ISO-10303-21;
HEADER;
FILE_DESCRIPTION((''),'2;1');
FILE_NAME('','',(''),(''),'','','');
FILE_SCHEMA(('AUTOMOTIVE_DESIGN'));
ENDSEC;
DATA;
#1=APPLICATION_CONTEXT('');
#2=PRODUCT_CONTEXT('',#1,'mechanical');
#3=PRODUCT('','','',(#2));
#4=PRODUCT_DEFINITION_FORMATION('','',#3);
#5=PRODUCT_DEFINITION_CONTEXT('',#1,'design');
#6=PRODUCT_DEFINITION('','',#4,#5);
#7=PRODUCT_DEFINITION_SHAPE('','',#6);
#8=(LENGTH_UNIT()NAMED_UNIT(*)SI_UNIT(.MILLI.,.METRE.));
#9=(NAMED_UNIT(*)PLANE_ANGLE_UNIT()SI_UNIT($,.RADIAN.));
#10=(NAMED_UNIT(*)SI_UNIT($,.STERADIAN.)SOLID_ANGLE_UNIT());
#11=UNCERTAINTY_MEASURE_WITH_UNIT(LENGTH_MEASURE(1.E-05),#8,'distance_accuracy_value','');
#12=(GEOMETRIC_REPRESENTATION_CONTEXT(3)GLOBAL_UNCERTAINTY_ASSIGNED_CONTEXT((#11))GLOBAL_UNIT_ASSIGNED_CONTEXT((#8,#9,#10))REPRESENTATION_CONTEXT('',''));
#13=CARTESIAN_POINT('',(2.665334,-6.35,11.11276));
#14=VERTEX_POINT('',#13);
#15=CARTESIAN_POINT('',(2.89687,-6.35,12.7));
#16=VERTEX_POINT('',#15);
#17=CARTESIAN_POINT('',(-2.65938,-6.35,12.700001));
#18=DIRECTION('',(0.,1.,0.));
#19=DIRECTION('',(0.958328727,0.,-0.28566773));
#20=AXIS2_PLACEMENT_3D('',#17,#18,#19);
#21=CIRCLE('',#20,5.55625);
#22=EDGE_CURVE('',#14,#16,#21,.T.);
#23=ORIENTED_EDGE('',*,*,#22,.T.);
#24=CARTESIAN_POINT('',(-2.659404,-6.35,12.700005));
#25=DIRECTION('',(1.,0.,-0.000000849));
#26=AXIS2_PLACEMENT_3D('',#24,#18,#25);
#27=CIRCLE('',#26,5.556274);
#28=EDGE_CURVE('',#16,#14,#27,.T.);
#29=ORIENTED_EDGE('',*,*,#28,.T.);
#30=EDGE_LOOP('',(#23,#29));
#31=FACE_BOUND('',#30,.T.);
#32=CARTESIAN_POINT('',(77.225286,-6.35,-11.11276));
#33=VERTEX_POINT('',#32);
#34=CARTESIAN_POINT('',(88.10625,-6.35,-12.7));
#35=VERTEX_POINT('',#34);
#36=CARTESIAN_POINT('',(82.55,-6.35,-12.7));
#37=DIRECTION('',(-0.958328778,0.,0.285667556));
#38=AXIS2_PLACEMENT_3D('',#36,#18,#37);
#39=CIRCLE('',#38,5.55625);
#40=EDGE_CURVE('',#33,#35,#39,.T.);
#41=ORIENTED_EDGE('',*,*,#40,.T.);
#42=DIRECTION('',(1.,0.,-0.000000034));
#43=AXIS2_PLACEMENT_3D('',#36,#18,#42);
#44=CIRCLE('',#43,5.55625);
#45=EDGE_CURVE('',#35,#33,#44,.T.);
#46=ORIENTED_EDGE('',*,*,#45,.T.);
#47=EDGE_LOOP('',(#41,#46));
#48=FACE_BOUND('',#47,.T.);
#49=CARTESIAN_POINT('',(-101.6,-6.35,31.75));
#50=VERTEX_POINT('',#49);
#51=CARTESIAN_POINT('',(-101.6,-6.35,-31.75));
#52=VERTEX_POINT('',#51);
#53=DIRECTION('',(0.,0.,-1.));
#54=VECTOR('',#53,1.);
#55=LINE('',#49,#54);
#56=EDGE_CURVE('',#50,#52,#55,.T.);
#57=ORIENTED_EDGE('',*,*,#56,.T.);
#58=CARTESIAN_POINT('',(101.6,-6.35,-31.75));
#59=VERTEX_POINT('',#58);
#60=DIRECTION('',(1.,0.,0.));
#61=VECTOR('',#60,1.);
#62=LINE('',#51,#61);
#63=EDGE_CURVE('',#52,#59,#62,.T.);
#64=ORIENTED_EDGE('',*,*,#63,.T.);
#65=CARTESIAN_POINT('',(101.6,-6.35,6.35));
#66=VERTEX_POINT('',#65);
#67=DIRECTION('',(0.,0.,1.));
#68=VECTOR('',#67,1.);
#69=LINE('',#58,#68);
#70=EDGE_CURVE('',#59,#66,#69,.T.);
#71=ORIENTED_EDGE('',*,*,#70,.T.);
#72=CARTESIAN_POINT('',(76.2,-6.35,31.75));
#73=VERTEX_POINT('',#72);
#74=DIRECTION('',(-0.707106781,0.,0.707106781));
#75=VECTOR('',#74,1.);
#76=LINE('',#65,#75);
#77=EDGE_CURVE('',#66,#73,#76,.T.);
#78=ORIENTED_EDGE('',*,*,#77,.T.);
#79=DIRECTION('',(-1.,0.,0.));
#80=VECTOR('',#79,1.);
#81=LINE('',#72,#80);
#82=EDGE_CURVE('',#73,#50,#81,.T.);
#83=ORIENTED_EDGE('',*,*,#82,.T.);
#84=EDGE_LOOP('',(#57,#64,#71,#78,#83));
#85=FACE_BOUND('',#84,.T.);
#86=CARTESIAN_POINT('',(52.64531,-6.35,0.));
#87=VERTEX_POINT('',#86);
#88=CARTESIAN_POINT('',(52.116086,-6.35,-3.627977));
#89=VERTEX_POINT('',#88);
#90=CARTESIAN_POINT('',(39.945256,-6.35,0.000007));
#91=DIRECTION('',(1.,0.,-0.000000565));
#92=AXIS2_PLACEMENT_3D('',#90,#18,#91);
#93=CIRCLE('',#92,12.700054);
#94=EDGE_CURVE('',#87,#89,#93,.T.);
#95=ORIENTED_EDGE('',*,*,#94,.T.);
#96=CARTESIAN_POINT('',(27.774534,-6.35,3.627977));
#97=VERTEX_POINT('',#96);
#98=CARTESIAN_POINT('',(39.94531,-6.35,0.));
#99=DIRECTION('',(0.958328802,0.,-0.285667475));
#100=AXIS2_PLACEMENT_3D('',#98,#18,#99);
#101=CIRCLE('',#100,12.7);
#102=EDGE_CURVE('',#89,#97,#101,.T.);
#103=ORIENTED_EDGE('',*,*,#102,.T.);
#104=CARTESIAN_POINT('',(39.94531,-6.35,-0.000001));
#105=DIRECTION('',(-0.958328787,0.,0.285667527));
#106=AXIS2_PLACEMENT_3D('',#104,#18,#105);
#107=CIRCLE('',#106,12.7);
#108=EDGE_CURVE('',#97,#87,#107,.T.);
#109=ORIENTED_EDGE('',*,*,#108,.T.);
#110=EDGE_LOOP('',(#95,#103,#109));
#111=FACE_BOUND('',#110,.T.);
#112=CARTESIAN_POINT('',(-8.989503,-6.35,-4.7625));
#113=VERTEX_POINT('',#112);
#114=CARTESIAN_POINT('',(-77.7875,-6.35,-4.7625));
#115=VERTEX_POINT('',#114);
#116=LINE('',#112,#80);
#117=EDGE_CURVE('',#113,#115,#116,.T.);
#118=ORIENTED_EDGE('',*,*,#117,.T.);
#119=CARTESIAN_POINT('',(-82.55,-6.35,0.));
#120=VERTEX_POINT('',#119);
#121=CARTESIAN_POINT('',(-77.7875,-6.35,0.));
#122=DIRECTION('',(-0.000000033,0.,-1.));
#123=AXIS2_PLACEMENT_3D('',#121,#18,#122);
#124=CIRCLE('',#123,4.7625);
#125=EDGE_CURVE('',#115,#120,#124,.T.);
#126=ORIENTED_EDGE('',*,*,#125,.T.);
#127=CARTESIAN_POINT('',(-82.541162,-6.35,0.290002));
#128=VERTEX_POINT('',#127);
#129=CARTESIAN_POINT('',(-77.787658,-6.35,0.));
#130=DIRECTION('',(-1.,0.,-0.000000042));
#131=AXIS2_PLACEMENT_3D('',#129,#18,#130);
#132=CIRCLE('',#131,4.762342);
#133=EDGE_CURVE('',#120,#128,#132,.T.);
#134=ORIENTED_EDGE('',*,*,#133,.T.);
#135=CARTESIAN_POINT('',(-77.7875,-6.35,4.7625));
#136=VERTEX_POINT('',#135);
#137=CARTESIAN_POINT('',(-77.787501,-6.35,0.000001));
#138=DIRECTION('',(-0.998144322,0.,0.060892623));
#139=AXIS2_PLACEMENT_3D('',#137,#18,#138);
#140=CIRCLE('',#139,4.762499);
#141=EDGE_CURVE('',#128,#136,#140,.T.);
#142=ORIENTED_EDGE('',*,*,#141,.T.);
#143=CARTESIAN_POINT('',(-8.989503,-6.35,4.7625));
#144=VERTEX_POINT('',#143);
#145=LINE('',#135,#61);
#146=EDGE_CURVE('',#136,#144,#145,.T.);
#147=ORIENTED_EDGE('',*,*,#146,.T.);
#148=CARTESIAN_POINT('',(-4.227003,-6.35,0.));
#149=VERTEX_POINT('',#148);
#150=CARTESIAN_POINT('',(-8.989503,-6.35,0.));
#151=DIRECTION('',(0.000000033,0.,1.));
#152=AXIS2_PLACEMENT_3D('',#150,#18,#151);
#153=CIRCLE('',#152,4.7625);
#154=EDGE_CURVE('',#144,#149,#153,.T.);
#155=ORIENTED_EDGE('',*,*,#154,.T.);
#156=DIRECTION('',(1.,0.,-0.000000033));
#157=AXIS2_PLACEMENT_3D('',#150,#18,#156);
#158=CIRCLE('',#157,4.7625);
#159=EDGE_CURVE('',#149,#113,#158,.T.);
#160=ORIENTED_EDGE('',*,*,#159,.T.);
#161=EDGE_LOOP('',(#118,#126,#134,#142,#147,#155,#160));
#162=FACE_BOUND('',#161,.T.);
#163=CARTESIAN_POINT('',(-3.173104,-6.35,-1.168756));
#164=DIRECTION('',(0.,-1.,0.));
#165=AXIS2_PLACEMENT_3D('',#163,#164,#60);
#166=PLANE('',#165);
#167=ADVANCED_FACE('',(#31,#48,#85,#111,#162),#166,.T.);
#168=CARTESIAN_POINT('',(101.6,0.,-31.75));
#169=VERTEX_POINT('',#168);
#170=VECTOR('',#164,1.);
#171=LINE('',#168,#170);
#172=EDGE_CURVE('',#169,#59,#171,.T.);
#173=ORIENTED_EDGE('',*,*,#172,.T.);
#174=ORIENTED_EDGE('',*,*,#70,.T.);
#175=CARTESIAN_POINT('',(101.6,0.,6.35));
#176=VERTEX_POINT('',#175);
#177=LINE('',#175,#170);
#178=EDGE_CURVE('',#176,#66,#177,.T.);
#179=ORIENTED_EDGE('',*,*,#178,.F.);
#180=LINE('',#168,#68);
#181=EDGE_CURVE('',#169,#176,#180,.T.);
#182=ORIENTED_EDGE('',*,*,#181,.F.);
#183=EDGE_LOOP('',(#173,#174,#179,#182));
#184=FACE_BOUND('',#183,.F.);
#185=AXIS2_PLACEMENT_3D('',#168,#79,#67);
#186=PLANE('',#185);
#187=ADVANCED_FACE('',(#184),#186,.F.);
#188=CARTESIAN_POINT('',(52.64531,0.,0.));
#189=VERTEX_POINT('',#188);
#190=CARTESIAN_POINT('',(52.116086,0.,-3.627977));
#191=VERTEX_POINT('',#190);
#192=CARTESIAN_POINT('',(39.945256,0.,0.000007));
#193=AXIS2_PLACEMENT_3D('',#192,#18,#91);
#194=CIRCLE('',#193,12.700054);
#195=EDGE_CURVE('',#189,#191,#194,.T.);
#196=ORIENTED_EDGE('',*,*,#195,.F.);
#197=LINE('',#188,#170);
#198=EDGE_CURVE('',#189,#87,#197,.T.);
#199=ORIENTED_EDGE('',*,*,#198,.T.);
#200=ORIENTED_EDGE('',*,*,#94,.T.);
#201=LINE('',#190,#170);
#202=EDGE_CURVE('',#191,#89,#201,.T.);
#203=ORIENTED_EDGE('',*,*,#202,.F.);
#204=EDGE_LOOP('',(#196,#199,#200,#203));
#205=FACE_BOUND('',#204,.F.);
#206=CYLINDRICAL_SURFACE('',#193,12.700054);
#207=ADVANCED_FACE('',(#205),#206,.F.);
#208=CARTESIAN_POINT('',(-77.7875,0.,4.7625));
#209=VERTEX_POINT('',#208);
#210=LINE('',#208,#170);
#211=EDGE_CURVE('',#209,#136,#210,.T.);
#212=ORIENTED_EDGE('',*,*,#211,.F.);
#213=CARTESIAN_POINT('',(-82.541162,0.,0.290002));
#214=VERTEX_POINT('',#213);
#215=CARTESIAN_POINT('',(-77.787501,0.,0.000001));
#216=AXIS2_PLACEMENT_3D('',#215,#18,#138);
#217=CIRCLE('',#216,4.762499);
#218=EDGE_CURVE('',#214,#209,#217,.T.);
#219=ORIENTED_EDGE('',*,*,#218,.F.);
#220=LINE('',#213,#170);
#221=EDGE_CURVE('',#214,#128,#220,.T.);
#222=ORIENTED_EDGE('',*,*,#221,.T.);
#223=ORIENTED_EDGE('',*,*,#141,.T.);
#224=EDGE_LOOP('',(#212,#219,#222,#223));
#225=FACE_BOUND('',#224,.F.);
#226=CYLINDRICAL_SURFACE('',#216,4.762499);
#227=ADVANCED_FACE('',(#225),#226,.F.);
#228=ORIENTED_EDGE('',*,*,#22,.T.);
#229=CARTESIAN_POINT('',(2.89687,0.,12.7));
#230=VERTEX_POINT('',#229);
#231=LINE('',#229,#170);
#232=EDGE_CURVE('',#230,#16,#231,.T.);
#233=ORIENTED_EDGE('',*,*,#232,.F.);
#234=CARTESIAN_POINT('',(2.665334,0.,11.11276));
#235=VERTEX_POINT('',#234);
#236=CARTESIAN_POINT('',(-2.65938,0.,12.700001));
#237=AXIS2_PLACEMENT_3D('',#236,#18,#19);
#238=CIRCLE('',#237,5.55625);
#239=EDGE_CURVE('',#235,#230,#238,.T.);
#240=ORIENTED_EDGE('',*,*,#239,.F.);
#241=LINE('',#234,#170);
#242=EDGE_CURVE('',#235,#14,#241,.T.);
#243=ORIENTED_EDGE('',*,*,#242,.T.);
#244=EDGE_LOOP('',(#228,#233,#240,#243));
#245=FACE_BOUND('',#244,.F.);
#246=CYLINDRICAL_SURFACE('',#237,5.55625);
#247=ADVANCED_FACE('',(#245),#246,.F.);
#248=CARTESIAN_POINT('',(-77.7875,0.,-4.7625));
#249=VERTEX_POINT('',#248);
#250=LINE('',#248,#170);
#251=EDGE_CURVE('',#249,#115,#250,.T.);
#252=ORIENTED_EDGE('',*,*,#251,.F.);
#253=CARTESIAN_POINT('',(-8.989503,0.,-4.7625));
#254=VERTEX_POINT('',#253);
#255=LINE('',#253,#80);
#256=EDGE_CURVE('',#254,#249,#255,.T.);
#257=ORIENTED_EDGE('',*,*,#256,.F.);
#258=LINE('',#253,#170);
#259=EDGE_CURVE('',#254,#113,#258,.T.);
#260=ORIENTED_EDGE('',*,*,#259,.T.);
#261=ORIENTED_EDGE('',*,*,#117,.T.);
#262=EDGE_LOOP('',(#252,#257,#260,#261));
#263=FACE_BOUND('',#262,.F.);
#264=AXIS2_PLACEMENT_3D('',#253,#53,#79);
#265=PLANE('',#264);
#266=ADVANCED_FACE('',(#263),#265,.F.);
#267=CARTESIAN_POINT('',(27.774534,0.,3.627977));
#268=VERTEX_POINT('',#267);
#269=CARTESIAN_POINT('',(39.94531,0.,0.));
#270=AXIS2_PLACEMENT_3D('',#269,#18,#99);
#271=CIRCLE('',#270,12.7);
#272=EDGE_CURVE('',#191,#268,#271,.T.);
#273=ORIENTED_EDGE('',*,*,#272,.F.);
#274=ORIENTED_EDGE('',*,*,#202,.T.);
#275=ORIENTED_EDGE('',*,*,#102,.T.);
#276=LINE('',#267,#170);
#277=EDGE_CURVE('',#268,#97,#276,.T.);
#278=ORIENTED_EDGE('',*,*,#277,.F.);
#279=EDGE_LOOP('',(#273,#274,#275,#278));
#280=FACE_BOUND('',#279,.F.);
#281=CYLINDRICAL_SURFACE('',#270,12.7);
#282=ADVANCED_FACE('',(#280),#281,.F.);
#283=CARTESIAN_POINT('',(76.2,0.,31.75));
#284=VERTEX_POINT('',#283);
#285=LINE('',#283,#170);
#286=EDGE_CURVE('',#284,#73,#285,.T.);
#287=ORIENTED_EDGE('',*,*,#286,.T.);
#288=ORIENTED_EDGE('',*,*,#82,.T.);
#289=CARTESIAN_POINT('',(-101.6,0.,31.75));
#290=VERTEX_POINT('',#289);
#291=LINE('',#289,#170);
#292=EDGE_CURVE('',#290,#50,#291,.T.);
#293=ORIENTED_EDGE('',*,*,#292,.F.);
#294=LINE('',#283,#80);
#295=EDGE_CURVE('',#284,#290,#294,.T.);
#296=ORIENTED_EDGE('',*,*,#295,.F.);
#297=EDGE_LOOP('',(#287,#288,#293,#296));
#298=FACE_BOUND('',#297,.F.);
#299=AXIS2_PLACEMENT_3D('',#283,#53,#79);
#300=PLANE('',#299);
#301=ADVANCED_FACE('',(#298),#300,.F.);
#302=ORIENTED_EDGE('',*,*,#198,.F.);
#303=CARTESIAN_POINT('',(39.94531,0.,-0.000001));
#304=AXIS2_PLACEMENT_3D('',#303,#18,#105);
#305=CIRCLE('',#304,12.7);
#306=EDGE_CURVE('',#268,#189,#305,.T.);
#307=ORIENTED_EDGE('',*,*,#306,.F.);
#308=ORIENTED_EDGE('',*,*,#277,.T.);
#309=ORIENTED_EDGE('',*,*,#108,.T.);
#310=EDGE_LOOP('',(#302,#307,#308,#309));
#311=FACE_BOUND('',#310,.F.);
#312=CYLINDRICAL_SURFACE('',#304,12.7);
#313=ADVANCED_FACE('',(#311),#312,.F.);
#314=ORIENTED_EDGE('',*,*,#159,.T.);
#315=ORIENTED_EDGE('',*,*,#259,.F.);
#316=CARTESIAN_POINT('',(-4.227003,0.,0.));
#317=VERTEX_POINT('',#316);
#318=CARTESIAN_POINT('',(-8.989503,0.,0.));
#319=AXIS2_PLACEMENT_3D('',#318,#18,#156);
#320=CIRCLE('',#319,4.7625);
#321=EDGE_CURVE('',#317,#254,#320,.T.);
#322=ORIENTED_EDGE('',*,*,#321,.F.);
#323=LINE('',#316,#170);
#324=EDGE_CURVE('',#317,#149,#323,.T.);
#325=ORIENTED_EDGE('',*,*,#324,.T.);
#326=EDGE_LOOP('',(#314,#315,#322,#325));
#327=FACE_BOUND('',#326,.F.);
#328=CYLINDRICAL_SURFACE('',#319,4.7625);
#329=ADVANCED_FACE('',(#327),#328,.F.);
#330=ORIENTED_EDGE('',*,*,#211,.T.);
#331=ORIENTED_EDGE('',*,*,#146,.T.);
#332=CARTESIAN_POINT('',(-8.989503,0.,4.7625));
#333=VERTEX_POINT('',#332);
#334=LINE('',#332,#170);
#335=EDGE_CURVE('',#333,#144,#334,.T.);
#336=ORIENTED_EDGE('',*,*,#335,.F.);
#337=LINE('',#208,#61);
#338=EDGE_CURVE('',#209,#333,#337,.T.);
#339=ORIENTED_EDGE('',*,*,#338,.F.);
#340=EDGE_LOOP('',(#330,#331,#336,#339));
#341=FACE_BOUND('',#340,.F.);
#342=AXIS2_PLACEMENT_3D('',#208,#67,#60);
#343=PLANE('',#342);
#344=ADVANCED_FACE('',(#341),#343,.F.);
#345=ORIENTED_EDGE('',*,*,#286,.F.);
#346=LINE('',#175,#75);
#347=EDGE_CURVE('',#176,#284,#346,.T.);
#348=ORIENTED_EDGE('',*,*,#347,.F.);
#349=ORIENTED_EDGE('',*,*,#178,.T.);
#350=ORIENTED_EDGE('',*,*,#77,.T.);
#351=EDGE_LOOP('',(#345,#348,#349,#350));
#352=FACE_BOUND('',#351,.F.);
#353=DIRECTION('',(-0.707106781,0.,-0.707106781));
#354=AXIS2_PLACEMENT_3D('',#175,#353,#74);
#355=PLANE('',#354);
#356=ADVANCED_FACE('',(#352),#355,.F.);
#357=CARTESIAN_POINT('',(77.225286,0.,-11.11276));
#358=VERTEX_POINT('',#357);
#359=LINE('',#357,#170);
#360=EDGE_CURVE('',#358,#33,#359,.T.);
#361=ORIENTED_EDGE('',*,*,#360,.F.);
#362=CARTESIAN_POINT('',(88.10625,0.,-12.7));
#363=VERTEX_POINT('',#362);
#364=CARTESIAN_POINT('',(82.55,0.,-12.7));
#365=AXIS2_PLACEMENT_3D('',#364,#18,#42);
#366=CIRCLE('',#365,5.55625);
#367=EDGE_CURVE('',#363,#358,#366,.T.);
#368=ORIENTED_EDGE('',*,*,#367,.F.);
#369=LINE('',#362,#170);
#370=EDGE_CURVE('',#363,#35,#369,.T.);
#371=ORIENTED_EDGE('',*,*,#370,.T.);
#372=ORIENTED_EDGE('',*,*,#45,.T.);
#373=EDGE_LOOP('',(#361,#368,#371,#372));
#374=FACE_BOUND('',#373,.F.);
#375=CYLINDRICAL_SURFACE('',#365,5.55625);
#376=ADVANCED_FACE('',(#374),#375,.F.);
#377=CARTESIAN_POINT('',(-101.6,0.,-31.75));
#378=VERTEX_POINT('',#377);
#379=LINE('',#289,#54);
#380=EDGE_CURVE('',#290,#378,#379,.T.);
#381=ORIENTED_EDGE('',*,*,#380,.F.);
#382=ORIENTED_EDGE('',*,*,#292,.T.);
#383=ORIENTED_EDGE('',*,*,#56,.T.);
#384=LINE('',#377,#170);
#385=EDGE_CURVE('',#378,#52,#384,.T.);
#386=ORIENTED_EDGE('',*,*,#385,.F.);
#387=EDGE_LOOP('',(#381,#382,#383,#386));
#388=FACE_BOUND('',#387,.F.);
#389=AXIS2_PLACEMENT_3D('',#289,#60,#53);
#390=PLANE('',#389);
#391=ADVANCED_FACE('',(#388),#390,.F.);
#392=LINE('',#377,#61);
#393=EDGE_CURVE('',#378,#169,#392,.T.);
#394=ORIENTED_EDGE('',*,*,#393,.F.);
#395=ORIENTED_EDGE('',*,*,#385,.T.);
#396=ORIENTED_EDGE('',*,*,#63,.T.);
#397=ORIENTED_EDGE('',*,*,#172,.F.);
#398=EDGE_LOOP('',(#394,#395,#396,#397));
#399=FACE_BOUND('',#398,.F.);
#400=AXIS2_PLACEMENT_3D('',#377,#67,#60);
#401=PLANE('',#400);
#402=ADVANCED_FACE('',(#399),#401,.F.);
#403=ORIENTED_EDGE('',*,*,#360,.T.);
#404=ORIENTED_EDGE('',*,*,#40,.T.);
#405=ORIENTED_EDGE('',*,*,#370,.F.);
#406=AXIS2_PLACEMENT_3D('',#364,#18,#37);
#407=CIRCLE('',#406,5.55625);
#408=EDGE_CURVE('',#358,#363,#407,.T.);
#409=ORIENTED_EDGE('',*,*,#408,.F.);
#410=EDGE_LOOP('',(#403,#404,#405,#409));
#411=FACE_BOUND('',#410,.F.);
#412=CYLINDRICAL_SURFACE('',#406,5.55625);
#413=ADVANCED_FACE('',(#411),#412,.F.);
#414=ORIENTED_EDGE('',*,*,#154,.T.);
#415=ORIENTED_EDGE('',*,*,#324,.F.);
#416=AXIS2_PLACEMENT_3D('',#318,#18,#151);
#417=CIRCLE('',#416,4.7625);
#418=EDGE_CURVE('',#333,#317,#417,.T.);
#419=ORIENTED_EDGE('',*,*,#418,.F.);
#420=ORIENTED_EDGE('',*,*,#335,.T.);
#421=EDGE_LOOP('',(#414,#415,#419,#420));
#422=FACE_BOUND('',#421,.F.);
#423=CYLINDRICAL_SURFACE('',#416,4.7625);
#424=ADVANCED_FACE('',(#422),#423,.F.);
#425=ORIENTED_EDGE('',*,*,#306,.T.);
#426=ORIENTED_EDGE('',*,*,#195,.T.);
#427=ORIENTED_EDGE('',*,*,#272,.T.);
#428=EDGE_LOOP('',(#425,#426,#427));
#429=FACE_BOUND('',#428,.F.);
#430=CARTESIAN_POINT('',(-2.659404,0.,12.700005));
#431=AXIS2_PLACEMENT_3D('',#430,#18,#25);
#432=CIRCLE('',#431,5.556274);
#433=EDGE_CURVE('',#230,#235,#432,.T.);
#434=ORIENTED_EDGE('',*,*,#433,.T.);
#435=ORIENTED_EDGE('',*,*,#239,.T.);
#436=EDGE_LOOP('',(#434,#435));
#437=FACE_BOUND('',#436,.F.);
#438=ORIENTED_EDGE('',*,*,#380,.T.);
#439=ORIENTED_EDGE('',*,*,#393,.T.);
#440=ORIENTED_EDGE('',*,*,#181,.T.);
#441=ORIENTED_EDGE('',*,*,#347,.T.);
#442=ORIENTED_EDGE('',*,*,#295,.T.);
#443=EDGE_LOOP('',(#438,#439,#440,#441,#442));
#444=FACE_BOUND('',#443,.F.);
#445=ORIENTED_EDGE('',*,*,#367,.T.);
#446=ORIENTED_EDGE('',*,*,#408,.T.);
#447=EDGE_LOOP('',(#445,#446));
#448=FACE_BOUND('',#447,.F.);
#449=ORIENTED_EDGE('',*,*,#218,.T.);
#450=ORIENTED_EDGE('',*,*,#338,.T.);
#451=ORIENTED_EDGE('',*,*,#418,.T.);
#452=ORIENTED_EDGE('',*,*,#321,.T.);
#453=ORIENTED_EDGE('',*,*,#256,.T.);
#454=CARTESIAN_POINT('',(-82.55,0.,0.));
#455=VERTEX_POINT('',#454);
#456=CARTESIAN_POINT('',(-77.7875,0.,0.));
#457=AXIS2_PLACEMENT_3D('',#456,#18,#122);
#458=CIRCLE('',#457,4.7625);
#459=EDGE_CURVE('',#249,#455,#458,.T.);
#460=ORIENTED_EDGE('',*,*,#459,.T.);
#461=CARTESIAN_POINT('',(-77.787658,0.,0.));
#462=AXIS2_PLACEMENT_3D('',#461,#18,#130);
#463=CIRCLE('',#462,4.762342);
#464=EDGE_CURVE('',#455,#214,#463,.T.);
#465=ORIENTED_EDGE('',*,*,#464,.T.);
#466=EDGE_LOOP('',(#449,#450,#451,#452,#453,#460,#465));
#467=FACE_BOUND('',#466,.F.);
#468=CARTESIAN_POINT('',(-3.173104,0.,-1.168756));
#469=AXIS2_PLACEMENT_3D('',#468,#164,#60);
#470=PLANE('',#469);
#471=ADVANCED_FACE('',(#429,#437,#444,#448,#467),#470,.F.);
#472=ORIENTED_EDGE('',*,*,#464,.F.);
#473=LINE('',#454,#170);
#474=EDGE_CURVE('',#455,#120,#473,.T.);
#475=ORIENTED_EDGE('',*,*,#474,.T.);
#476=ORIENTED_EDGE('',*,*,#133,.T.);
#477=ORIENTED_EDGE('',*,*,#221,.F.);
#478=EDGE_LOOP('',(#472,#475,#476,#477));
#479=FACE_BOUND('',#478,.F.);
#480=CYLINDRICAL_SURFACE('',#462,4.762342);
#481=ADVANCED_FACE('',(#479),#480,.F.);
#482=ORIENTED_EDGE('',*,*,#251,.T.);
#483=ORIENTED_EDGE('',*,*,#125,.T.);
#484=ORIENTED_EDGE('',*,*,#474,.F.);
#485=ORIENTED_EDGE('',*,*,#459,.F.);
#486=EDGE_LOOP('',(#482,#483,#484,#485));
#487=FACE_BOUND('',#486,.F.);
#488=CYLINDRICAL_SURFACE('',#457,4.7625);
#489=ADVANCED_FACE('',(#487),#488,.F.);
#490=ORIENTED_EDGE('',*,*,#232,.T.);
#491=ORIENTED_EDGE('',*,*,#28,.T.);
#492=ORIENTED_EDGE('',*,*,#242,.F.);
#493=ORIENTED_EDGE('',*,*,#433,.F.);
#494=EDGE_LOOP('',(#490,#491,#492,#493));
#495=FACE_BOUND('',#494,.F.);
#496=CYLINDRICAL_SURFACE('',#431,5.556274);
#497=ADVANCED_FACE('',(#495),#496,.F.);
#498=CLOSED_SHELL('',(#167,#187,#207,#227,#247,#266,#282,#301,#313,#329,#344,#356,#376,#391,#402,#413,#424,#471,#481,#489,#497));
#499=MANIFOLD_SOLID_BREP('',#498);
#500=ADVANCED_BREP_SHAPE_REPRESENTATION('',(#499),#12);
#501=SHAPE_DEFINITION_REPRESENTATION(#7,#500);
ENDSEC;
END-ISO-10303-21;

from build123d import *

# Parameters (mm, degrees)
F1_DEPTH = 6.35


with BuildPart() as f1:
    # F0 (on Front) → F1 (new body)
    with BuildSketch(Plane.XZ):
        Polygon((-101.6, -31.75), (101.6, -31.75), (101.6, 6.35), (76.2, 31.75), (-101.6, 31.75), align=None)
        with BuildLine():
            ThreePointArc((77.225286, -11.11276), (83.352019, -7.201939), (88.10625, -12.7))
            ThreePointArc((88.10625, -12.7), (81.747981, -18.198061), (77.225286, -11.11276))
        make_face(mode=Mode.SUBTRACT)
        with BuildLine():
            ThreePointArc((-82.541162, 0.290002), (-81.050955, 3.468612), (-77.7875, 4.7625))
            Line((-77.7875, 4.7625), (-8.989503, 4.7625))
            ThreePointArc((-8.989503, 4.7625), (-5.621907, 3.367596), (-4.227003, 0))
            ThreePointArc((-4.227003, 0), (-5.621907, -3.367596), (-8.989503, -4.7625))
            Line((-8.989503, -4.7625), (-77.7875, -4.7625))
            ThreePointArc((-77.7875, -4.7625), (-81.155096, -3.367596), (-82.55, 0))
            ThreePointArc((-82.55, 0), (-82.54779, 0.145068), (-82.541162, 0.290002))
        make_face(mode=Mode.SUBTRACT)
        with BuildLine():
            ThreePointArc((2.89687, 12.7), (2.838681, 11.897981), (2.665334, 11.11276))
            ThreePointArc((2.665334, 11.11276), (-8.157441, 13.502019), (2.89687, 12.7))
        make_face(mode=Mode.SUBTRACT)
        with BuildLine():
            ThreePointArc((52.64531, 0), (52.512307, -1.833187), (52.116086, -3.627977))
            ThreePointArc((52.116086, -3.627977), (36.317333, -12.170776), (27.774534, 3.627977))
            ThreePointArc((27.774534, 3.627977), (41.778497, 12.566997), (52.64531, 0))
        make_face(mode=Mode.SUBTRACT)
    extrude(amount=F1_DEPTH)


solid = f1.part
